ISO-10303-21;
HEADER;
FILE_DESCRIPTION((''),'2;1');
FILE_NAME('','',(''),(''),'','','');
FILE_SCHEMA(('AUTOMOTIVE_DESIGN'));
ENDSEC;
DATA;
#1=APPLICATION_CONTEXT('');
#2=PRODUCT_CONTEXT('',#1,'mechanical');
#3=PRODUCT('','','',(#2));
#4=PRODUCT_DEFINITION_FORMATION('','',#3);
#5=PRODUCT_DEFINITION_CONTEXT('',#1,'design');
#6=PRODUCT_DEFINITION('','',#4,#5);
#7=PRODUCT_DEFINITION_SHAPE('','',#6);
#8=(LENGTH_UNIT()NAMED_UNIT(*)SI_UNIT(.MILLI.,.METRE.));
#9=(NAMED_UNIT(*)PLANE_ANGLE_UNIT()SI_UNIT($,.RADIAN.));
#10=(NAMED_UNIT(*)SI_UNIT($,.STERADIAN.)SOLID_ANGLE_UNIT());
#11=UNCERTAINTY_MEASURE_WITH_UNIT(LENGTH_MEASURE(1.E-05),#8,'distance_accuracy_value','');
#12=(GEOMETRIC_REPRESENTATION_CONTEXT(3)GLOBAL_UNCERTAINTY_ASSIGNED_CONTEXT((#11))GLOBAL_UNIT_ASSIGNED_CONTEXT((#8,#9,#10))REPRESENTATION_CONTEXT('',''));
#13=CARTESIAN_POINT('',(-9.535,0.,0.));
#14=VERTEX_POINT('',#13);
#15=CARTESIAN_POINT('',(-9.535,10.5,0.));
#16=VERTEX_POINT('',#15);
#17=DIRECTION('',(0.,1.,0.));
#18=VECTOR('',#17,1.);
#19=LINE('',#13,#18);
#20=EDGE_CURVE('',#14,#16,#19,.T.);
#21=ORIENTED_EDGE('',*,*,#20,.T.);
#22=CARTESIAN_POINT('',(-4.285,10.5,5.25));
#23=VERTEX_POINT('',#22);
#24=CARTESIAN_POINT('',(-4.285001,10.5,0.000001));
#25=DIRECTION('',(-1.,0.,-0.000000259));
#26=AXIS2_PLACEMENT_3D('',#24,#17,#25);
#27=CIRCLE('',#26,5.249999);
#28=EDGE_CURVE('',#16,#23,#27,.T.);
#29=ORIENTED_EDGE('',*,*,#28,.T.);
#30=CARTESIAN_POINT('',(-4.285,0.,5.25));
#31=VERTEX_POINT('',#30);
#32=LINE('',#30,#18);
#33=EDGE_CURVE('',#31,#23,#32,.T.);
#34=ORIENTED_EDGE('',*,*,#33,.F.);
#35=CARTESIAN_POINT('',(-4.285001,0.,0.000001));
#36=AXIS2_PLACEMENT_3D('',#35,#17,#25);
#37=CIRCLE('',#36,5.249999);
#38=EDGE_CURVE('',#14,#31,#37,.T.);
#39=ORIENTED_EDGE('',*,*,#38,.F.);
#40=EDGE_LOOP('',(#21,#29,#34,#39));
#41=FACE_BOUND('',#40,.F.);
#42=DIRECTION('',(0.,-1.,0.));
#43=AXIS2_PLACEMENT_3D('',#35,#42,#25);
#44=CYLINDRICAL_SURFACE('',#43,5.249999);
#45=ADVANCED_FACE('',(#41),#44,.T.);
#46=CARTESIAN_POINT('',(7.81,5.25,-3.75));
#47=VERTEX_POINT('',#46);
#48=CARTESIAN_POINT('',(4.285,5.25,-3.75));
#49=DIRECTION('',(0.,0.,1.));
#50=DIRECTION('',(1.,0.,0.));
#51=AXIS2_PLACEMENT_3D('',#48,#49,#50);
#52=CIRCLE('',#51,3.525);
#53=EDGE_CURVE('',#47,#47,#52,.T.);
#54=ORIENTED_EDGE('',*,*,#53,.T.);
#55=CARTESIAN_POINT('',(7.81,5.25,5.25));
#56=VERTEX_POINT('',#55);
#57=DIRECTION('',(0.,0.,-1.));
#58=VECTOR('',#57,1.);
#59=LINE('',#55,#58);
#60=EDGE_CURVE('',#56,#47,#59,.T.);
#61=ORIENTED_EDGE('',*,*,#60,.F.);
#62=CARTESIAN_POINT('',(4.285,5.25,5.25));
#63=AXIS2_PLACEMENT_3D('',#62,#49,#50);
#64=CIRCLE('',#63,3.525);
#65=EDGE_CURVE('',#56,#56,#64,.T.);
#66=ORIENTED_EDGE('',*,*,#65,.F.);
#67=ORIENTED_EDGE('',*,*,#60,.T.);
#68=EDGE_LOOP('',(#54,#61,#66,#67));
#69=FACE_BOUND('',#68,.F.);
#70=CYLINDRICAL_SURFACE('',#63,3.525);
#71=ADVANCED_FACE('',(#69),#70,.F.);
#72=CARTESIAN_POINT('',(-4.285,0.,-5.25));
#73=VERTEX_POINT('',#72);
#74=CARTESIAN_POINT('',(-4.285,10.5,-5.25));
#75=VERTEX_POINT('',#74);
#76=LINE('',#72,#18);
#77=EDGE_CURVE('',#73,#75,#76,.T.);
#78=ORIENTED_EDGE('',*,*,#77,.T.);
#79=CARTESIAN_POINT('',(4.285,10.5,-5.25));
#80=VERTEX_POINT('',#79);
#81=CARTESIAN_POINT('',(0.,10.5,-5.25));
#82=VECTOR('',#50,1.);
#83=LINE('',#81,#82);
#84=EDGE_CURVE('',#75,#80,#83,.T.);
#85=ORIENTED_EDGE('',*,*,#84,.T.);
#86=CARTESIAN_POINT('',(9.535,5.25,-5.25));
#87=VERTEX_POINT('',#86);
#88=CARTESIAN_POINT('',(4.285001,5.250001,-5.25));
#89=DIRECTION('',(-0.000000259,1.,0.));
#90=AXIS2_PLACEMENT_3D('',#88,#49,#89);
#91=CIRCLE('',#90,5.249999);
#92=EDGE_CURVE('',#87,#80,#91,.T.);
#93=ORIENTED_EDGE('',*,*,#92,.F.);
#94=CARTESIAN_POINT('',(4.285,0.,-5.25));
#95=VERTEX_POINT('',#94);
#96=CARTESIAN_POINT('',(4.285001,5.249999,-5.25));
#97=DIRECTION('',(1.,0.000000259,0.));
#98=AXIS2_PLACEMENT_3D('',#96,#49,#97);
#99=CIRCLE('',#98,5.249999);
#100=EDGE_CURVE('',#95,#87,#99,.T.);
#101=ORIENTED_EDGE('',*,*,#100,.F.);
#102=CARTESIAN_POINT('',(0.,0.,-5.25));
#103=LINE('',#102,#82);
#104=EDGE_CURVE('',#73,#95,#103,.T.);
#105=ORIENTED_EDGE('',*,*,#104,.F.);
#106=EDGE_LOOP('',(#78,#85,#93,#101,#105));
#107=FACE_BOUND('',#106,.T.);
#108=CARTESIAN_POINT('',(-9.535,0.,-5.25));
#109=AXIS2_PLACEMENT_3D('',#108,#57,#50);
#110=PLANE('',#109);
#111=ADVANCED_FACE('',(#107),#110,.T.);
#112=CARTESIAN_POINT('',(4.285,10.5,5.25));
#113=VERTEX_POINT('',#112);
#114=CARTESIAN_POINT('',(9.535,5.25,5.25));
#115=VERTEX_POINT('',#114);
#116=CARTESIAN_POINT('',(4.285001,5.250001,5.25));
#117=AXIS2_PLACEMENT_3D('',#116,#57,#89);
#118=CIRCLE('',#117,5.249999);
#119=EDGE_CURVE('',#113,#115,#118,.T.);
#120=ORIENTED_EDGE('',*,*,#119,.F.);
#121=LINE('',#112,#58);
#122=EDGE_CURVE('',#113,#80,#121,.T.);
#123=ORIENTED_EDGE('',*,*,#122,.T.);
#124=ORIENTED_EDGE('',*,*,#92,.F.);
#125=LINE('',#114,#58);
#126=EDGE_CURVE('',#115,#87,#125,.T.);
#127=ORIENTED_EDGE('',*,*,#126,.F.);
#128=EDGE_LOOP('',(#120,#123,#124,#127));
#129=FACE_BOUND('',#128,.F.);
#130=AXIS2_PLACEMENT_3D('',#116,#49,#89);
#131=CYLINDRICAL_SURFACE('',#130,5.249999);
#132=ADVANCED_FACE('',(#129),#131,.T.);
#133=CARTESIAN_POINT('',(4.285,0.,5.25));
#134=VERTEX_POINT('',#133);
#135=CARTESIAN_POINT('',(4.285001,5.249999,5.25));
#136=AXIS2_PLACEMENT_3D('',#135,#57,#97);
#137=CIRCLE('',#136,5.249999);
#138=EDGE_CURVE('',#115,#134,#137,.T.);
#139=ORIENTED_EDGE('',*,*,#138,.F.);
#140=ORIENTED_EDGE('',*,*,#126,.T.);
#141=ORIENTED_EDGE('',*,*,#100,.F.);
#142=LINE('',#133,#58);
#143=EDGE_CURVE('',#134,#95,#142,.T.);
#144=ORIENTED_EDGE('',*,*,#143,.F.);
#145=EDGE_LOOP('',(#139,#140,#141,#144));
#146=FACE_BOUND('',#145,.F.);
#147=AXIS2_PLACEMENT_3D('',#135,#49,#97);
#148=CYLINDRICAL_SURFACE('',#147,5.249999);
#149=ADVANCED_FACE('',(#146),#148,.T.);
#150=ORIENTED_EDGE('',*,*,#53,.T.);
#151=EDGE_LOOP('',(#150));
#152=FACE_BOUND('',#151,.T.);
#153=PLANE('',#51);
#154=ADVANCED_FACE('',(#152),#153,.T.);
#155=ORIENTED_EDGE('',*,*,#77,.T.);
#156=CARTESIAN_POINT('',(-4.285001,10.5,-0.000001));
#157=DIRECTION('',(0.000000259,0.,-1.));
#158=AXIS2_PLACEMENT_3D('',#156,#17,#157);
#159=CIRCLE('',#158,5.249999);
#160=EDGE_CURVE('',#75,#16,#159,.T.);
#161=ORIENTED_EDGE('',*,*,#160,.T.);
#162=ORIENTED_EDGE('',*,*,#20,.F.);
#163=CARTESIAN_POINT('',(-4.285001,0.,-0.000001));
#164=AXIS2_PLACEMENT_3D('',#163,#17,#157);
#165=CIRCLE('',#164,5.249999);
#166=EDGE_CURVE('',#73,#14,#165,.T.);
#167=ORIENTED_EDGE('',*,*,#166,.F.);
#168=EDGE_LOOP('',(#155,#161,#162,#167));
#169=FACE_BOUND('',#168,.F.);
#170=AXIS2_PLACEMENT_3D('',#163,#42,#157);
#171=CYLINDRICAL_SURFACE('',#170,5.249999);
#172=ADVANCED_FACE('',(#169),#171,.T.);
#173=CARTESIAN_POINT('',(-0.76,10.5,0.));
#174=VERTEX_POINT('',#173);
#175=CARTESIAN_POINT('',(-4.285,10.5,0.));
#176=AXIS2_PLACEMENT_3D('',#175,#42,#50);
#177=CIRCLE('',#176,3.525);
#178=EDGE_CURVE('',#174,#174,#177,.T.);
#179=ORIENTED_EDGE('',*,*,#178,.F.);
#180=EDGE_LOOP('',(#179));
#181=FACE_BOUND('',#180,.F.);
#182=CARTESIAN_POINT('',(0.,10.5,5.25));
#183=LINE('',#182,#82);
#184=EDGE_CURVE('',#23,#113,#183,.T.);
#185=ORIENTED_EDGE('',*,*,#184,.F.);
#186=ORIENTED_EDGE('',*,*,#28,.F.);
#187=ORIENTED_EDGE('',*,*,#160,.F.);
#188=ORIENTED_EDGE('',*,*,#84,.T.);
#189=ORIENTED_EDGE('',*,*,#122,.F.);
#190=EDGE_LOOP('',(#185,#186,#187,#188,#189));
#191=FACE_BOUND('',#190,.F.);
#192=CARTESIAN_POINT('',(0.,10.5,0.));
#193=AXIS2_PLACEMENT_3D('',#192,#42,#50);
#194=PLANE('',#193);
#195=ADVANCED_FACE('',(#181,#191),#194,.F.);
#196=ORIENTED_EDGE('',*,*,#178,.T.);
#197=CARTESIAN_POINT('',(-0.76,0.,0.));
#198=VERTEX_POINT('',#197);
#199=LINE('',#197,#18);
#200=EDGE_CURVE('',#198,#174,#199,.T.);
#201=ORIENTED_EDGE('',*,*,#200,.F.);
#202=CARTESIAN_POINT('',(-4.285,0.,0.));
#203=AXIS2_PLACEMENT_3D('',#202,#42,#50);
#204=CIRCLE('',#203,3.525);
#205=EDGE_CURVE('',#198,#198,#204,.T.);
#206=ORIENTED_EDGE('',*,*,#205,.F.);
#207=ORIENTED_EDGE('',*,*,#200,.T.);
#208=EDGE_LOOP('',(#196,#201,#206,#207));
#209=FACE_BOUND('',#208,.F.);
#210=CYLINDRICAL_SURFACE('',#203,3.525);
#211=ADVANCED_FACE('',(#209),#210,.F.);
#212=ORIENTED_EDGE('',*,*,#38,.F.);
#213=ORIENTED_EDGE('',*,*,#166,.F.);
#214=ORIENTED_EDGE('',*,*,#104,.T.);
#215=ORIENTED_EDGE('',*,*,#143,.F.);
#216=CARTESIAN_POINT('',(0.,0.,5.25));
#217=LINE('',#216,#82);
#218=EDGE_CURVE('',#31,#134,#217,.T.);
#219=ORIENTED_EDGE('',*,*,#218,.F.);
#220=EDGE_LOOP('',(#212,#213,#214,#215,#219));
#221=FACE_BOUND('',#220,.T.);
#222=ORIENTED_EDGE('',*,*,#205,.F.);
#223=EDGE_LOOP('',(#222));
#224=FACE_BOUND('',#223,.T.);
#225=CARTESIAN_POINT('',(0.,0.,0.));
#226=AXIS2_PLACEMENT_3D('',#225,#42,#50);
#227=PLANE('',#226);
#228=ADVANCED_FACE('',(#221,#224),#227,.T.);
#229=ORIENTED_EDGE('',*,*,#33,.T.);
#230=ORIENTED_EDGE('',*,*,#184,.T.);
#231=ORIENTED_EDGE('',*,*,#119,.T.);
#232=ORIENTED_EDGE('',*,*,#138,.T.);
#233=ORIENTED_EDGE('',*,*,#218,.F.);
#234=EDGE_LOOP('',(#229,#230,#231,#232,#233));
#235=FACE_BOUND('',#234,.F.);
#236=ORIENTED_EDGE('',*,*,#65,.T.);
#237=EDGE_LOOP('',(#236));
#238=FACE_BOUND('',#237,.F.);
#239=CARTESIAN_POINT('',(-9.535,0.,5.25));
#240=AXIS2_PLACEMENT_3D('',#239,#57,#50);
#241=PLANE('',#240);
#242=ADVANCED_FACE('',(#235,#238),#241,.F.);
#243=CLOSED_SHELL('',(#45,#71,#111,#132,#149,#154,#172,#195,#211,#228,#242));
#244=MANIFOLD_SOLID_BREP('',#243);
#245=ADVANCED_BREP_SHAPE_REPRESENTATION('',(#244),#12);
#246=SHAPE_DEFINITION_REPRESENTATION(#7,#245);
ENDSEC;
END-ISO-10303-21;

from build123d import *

# Parameters (mm, degrees)
F0_W     = 19.07
F0_H     = 10.5
F1_DEPTH = 10.5
F2_R     = 3.525
F3_DEPTH = 10.5
F4_R     = 3.525
F5_DEPTH = 9
F7_DEPTH = 10.501


with BuildPart() as f1:
    # F0 (on Front) → F1 (new body)
    with BuildSketch(Plane.XZ):
        Rectangle(F0_W, F0_H)
    extrude(amount=-F1_DEPTH)

    # F2 (on face) → F3 (cut, through all)
    with BuildSketch(Plane.XZ):
        with BuildLine():
            ThreePointArc((-4.285, -5.25), (-7.997311, -3.712311), (-9.535, 0))
            Line((-9.535, 0), (-9.535, -5.25))
            Line((-9.535, -5.25), (-4.285, -5.25))
        make_face()
        with BuildLine():
            ThreePointArc((-9.535, 0), (-7.997311, 3.712311), (-4.285, 5.25))
            Line((-4.285, 5.25), (-9.535, 5.25))
            Line((-9.535, 5.25), (-9.535, 0))
        make_face()
        with Locations((-4.285, 0)):
            Circle(F2_R)
    extrude(amount=-F3_DEPTH, mode=Mode.SUBTRACT)

    # F4 (on face) → F5 (cut)
    with BuildSketch(Plane.XY.offset(5.25)):
        with Locations((4.285, 5.25)):
            Circle(F4_R)
    extrude(amount=-F5_DEPTH, mode=Mode.SUBTRACT)

    # F6 (on face) → F7 (cut, through all)
    with BuildSketch(Plane.XY.offset(5.25)):
        with BuildLine():
            ThreePointArc((4.285, 10.5), (7.997311, 8.962311), (9.535, 5.25))
            Line((9.535, 5.25), (9.535, 10.5))
            Line((9.535, 10.5), (4.285, 10.5))
        make_face()
        with BuildLine():
            ThreePointArc((9.535, 5.25), (7.997311, 1.537689), (4.285, 0))
            Line((4.285, 0), (9.535, 0))
            Line((9.535, 0), (9.535, 5.25))
        make_face()
    extrude(amount=-F7_DEPTH, mode=Mode.SUBTRACT)


solid = f1.part
